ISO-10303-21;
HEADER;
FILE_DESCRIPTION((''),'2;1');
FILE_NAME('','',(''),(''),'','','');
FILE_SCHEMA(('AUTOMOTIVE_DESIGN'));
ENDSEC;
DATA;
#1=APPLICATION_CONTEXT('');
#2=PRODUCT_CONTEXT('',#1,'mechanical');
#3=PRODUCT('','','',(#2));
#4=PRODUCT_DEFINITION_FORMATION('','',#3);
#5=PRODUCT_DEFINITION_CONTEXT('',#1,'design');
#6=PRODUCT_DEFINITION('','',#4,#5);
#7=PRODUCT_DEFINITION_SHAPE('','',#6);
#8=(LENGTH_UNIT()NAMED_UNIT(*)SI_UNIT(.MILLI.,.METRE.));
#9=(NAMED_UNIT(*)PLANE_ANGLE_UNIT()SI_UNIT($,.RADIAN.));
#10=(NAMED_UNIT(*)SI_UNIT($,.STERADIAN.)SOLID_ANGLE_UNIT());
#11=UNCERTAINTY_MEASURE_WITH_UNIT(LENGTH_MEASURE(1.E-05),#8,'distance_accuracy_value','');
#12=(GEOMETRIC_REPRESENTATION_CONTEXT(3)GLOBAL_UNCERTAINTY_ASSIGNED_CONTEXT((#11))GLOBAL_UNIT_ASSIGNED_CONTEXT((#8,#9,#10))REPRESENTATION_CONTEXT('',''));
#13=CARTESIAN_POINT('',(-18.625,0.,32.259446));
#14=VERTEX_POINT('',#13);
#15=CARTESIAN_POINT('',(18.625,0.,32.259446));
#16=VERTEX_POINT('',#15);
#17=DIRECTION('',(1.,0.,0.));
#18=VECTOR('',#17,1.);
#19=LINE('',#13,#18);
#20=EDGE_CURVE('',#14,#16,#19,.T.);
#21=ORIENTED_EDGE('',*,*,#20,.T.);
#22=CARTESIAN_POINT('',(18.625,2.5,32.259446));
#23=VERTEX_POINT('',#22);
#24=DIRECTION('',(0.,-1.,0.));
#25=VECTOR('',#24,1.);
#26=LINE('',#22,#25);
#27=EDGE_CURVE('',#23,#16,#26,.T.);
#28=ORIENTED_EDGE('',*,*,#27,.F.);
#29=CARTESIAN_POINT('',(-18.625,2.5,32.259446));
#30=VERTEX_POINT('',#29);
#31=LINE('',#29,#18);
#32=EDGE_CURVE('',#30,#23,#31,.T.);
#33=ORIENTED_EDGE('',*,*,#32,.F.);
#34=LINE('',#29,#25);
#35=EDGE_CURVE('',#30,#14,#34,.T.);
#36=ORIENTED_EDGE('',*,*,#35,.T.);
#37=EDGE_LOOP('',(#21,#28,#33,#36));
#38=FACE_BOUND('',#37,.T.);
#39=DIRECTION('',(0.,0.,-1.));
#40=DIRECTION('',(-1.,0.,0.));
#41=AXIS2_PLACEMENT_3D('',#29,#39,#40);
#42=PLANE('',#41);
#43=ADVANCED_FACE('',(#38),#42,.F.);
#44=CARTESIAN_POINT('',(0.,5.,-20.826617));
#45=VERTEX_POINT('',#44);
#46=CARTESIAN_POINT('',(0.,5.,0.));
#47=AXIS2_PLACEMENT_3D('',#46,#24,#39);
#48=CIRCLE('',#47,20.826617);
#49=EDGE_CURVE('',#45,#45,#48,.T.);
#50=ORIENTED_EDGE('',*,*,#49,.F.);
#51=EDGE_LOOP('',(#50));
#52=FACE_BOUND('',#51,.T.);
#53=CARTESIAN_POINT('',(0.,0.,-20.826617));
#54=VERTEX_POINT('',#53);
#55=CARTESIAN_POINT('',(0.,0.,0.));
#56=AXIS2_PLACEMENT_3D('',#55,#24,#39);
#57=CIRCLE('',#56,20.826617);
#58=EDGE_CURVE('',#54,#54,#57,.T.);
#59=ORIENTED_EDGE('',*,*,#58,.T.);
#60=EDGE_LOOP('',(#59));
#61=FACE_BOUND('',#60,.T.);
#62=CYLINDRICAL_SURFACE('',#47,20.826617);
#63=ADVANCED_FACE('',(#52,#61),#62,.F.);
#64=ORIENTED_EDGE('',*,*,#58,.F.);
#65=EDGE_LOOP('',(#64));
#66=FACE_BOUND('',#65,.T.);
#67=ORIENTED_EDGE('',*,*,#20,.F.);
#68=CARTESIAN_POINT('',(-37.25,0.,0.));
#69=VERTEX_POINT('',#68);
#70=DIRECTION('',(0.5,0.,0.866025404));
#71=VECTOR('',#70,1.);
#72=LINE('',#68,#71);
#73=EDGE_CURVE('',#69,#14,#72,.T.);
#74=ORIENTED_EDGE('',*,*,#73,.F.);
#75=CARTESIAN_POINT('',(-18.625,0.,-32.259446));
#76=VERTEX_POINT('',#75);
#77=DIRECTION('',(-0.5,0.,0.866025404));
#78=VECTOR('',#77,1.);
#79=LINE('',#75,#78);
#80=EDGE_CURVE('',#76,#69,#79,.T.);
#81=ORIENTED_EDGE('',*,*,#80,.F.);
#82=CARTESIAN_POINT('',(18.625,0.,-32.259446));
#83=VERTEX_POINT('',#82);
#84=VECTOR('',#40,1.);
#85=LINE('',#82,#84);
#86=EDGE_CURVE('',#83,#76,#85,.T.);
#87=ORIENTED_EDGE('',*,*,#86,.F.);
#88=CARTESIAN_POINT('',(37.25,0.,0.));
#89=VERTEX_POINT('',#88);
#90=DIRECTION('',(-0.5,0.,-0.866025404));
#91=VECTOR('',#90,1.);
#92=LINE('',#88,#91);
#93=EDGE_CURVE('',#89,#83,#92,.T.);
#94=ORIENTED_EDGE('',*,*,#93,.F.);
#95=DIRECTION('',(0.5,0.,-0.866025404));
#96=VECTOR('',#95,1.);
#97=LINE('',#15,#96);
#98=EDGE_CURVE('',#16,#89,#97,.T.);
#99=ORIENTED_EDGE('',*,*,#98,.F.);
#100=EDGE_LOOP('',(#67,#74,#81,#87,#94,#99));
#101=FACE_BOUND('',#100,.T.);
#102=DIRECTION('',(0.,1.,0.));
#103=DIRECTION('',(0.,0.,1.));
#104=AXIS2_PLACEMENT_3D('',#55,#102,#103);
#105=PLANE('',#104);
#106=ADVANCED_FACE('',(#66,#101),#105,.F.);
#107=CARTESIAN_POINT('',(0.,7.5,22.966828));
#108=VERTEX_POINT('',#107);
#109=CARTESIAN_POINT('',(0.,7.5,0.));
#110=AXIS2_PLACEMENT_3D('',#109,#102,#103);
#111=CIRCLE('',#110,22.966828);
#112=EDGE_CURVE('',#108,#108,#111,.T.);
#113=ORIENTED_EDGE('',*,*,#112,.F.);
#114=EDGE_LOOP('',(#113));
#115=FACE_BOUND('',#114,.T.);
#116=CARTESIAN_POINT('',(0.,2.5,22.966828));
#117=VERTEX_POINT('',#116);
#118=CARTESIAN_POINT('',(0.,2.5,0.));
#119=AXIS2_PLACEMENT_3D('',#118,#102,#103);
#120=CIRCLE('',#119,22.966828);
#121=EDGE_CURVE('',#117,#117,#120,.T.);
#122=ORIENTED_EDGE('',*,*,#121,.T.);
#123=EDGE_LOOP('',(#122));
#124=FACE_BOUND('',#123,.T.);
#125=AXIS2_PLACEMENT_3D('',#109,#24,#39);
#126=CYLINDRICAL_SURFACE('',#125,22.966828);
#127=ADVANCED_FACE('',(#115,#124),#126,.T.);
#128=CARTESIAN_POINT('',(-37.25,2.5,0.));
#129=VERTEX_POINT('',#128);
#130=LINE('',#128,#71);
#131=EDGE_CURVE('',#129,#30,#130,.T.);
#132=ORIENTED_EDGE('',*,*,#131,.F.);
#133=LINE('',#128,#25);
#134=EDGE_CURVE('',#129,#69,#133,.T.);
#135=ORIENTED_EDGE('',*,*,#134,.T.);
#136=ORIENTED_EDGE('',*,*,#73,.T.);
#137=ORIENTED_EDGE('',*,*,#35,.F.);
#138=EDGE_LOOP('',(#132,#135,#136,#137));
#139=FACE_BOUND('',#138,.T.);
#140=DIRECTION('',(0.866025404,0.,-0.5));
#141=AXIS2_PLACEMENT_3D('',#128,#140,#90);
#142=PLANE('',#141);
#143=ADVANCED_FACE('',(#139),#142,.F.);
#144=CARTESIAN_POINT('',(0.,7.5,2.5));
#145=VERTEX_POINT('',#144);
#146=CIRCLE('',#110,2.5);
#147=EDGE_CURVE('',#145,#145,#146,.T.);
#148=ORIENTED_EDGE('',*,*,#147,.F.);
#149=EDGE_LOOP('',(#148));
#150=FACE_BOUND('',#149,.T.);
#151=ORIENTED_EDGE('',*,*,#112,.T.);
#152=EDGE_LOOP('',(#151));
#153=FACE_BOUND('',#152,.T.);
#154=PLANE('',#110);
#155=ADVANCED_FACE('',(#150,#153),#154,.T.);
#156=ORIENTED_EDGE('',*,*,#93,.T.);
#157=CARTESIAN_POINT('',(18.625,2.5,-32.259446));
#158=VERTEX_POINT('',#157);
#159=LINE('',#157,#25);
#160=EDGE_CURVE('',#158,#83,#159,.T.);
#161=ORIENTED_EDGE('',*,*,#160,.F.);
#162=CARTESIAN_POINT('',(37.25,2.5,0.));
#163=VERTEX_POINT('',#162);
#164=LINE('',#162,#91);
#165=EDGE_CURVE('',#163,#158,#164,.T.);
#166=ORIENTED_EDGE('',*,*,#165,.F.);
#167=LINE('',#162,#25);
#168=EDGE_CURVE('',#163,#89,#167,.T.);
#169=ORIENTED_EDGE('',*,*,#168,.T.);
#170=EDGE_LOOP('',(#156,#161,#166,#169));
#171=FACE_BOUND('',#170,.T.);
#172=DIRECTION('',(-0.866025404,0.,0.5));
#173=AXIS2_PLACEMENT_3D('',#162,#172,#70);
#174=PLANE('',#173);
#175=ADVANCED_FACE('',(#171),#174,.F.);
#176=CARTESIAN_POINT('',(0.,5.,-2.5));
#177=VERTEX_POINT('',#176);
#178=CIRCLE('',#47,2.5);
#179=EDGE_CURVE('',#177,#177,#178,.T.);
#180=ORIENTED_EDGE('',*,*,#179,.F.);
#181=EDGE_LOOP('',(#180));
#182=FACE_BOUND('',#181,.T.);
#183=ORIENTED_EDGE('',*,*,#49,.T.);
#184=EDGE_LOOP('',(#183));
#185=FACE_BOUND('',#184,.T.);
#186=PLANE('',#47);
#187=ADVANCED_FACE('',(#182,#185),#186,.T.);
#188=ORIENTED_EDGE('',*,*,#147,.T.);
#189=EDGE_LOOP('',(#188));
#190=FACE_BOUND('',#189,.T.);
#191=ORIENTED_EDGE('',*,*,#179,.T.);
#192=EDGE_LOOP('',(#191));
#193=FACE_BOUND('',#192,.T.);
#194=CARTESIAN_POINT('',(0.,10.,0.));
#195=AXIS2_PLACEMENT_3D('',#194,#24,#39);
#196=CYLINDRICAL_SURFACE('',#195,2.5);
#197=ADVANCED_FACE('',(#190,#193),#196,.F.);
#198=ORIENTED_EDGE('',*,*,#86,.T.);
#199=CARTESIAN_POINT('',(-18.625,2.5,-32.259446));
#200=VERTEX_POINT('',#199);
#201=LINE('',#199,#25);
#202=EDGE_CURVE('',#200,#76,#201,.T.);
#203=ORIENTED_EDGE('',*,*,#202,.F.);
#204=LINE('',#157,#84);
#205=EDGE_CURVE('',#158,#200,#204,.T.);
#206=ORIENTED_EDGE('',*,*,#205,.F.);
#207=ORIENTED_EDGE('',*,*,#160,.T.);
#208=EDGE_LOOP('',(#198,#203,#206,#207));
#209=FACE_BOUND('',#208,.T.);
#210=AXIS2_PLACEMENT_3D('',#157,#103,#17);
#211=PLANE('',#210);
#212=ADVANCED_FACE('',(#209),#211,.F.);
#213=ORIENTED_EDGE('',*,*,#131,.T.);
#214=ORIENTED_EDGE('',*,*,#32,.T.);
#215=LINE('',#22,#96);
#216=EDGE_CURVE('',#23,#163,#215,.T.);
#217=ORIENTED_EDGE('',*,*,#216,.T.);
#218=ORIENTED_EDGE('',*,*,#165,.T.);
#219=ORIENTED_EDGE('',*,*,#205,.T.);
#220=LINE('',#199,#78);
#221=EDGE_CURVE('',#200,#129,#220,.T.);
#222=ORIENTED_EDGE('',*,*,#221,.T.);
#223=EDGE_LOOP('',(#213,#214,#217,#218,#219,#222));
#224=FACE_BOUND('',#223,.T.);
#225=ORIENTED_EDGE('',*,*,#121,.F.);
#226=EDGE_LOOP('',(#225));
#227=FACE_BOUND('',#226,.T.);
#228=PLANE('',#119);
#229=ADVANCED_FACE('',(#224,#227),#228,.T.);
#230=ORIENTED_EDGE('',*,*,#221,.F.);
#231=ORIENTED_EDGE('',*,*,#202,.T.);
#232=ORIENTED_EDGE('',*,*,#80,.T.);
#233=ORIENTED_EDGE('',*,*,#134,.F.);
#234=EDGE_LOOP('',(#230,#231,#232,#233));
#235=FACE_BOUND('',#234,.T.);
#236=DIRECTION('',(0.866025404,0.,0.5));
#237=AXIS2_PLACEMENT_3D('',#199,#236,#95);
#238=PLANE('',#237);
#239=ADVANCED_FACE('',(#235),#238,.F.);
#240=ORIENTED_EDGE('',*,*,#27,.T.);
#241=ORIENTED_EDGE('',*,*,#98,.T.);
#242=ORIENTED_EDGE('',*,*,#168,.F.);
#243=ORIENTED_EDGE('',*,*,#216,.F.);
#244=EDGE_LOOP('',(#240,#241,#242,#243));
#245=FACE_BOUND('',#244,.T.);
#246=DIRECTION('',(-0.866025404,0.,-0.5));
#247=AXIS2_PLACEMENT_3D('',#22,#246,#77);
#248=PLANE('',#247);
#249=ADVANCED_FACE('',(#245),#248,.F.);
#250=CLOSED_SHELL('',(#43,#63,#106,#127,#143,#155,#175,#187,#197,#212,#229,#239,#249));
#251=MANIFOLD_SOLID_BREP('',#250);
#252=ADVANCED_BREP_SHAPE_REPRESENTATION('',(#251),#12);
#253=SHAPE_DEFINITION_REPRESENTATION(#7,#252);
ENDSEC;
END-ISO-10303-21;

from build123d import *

# Parameters (mm, degrees)
BOSS_EXTRUDE1_DEPTH = 2.5
SKETCH3_R           = 2.5
CUT_EXTRUDE1_DEPTH  = 2.5
SKETCH4_R           = 22.966828386
BOSS_EXTRUDE2_DEPTH = 5
SKETCH5_R           = 20.826616742
CUT_EXTRUDE2_DEPTH  = 5
SKETCH6_R           = 2.5
CUT_EXTRUDE3_DEPTH  = 5


with BuildPart() as part:
    # Sketch2 → Boss-Extrude1 (new body)
    with BuildSketch(Plane(origin=(0, 0, 0), x_dir=(1, 0, 0), z_dir=(0, 1, 0))):
        Polygon((37.25, 0), (18.625, 32.259446291), (-18.625, 32.259446291), (-37.25, 0), (-18.625, -32.259446291), (18.625, -32.259446291), align=None)
    extrude(amount=BOSS_EXTRUDE1_DEPTH)

    # Sketch3 → Cut-Extrude1 (cut)
    with BuildSketch(Plane.XZ):
        with Locations(Location((0, 0, 0), (0, 0, 270))):
            Circle(SKETCH3_R)
    extrude(amount=-CUT_EXTRUDE1_DEPTH, mode=Mode.SUBTRACT)

    # Sketch4 → Boss-Extrude2 (add)
    with BuildSketch(Plane(origin=(0, 2.5, 0), x_dir=(1, 0, 0), z_dir=(0, 1, 0))):
        with Locations(Location((0, 0, 0), (0, 0, 270))):
            Circle(SKETCH4_R)
    extrude(amount=BOSS_EXTRUDE2_DEPTH)

    # Sketch5 → Cut-Extrude2 (cut)
    with BuildSketch(Plane.XZ):
        with Locations(Location((0, 0, 0), (0, 0, 270))):
            Circle(SKETCH5_R)
    extrude(amount=-CUT_EXTRUDE2_DEPTH, mode=Mode.SUBTRACT)

    # Sketch6 → Cut-Extrude3 (cut)
    with BuildSketch(Plane.XZ.offset(-5)):
        with Locations(Location((0, 0, 0), (0, 0, 270))):
            Circle(SKETCH6_R)
    extrude(amount=-CUT_EXTRUDE3_DEPTH, mode=Mode.SUBTRACT)


solid = part.part
